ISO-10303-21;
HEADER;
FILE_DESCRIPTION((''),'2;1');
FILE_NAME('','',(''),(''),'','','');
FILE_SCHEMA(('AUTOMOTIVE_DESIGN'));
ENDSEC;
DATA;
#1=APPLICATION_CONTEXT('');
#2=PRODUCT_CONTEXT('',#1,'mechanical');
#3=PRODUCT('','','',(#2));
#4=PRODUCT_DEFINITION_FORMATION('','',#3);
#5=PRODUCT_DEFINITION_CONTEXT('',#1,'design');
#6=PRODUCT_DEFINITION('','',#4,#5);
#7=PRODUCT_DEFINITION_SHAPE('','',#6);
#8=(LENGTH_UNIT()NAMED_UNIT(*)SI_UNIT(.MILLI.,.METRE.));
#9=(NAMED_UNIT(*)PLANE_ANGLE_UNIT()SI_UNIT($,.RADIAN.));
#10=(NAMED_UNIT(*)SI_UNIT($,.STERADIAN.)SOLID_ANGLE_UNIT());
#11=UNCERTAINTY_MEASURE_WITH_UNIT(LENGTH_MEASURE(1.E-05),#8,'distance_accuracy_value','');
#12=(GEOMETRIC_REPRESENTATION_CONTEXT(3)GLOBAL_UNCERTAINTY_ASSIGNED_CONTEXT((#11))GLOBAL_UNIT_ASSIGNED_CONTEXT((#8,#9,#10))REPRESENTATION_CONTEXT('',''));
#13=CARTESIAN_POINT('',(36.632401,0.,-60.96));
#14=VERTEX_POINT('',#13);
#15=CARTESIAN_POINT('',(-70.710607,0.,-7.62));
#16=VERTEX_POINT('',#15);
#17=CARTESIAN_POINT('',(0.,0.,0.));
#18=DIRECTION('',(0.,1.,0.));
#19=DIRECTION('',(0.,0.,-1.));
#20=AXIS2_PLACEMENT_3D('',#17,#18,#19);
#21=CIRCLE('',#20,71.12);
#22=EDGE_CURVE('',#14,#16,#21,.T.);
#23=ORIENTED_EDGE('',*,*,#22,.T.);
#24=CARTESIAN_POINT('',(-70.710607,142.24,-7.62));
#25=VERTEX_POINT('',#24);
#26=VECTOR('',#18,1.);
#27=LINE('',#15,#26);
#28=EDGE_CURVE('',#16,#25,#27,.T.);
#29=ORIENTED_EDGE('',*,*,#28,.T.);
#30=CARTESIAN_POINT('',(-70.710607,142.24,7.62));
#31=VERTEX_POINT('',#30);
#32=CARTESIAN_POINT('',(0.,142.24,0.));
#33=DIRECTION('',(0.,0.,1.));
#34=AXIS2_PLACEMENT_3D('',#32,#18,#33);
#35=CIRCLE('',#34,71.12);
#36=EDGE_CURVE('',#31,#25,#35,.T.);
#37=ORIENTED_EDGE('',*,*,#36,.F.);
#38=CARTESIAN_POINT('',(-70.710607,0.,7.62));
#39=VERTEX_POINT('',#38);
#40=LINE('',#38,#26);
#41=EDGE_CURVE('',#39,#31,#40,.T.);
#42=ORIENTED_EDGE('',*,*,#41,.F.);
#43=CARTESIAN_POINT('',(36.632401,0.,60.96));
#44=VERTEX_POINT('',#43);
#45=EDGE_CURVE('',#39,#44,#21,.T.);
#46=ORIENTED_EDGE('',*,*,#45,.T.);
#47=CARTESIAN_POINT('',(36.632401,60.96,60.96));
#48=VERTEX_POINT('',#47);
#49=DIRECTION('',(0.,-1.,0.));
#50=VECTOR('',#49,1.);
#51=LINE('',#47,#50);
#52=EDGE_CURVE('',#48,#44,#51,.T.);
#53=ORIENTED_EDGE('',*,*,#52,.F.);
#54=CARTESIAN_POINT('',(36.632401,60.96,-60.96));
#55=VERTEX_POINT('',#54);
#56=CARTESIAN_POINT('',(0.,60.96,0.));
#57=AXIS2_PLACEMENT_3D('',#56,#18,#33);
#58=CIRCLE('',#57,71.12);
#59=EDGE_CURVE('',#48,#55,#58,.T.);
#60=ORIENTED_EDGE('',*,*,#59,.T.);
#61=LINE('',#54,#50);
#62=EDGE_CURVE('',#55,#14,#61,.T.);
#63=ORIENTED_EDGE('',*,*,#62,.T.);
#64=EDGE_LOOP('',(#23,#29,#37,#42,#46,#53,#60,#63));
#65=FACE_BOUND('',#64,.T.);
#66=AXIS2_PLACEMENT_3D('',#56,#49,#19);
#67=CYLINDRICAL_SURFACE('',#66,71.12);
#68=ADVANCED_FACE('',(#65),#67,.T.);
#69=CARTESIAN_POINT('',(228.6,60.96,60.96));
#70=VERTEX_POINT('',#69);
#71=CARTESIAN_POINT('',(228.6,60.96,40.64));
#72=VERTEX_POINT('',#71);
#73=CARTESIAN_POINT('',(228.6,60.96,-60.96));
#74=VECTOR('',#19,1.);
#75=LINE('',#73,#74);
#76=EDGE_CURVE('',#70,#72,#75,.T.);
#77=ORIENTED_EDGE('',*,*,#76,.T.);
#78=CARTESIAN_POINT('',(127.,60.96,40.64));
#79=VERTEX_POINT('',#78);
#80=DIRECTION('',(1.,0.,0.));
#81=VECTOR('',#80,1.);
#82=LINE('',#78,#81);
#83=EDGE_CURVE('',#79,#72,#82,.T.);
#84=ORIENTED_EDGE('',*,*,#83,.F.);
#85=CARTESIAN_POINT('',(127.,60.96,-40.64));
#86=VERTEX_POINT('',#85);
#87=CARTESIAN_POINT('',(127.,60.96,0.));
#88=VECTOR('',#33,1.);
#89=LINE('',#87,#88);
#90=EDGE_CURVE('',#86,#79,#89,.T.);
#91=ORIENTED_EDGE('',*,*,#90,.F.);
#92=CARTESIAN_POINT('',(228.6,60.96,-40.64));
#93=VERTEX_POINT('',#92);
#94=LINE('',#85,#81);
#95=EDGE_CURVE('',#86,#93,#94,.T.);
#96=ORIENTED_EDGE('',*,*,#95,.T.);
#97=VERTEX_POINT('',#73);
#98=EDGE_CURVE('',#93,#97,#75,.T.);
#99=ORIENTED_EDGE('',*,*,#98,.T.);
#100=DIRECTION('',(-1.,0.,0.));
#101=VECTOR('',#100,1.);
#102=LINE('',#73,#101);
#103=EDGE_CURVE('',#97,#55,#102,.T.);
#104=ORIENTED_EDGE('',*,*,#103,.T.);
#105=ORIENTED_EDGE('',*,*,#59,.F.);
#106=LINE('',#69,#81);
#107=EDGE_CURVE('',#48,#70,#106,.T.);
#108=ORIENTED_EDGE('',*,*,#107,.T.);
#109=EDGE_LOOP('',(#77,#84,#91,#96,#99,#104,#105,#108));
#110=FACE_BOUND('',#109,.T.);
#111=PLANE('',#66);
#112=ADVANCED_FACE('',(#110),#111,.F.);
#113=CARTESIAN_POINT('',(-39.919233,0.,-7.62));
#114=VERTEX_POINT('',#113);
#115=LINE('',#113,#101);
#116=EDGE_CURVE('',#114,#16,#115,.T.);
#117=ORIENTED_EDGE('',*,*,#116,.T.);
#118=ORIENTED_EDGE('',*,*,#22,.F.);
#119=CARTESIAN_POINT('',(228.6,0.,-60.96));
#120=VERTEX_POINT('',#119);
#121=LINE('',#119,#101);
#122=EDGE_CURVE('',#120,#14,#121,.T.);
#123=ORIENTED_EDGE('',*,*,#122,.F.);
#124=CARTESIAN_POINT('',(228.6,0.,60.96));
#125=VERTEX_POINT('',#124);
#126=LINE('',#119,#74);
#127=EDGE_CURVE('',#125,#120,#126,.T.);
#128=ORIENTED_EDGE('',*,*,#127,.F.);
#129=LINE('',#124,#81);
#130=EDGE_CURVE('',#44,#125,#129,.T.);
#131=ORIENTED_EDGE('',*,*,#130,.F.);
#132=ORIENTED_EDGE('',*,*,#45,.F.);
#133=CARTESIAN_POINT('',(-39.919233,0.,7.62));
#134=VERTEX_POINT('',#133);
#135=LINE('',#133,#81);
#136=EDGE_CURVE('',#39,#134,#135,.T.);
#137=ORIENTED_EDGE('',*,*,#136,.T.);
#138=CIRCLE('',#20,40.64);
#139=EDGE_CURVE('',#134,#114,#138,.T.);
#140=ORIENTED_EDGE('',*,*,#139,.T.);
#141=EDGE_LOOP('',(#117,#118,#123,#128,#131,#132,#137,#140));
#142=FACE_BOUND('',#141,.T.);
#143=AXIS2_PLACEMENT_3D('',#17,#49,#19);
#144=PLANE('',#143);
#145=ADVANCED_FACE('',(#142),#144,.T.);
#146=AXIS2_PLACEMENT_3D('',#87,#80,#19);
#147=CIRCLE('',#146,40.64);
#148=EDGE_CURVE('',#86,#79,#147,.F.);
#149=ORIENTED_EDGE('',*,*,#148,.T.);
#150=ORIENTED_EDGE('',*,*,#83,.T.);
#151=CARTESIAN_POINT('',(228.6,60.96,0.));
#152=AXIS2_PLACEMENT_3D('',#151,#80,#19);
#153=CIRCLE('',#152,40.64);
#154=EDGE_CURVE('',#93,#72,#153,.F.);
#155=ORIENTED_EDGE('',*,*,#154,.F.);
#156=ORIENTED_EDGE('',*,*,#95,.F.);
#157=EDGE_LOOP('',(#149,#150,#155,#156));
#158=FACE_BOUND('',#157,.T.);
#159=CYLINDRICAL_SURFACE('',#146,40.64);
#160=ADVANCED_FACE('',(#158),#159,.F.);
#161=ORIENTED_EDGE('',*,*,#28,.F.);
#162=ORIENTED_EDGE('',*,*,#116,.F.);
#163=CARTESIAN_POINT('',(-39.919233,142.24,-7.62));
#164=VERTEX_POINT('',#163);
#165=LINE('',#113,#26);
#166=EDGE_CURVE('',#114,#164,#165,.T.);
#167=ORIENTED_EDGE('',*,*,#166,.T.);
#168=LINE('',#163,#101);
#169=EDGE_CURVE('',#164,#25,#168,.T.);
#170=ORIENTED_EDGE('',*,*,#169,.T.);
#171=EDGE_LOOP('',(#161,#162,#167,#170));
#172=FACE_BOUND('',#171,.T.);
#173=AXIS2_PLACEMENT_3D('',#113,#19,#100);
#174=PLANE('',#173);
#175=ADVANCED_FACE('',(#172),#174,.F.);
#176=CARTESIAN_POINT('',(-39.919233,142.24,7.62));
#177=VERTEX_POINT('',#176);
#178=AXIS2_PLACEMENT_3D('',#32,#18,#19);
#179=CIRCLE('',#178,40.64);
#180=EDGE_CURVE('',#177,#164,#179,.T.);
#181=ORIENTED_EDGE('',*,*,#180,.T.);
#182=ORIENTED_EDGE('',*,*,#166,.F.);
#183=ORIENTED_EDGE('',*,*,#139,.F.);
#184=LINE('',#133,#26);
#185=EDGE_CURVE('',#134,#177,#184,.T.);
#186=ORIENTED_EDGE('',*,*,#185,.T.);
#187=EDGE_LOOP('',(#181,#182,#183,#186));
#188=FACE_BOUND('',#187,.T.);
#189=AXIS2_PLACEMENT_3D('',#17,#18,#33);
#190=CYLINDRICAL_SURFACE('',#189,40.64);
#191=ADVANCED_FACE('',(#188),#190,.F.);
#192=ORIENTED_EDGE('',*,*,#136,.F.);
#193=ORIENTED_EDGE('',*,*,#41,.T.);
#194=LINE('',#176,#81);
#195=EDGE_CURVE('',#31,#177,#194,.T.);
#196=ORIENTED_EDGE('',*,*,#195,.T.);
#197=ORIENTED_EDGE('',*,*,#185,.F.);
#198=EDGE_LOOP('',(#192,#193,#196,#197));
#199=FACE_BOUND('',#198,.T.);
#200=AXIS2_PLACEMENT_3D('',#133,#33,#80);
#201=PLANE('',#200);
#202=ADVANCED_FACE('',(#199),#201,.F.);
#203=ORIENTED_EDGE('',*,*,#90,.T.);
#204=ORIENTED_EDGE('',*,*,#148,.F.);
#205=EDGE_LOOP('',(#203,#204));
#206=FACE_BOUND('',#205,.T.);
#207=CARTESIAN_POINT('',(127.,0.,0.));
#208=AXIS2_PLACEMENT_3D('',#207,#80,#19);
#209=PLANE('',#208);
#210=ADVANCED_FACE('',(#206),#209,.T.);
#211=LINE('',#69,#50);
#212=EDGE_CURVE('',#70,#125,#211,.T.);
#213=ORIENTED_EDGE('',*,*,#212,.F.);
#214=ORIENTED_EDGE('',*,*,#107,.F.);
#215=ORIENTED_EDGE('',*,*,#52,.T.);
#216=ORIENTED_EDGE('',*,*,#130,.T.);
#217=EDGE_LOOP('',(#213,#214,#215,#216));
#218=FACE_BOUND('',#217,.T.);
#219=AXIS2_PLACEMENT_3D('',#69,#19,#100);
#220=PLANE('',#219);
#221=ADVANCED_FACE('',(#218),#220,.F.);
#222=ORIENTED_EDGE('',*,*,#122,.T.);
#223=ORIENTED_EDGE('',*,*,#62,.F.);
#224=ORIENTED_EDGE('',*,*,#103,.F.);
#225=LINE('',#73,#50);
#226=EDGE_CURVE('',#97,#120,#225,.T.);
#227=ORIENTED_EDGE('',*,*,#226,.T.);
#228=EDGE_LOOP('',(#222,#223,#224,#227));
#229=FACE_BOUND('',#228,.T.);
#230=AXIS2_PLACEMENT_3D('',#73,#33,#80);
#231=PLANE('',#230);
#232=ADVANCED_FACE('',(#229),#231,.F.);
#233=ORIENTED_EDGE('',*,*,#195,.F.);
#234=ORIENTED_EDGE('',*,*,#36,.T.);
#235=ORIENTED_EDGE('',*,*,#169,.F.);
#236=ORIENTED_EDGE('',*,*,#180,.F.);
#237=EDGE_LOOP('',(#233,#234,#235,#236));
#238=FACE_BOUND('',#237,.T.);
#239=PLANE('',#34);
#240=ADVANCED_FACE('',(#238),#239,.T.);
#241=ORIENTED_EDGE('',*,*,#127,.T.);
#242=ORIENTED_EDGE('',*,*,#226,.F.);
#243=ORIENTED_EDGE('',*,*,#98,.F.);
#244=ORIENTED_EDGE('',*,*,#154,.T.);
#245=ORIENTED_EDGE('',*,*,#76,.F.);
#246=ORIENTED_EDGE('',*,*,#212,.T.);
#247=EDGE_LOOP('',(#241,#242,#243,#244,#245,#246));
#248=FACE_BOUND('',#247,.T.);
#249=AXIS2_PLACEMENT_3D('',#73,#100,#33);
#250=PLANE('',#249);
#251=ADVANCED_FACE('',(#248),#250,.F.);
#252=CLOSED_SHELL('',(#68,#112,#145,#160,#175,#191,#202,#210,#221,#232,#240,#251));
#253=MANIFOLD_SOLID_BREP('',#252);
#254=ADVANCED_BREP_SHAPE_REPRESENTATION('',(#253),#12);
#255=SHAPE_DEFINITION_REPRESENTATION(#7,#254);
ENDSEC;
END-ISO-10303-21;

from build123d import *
from build123d.topology import SkipClean

# Parameters (mm, degrees)
BOSS_EXTRUDE2_DEPTH = 60.96
SKETCH2_R           = 71.12
BOSS_EXTRUDE3_DEPTH = 81.28
CUT_EXTRUDE1_DEPTH  = 101.6
CUT_EXTRUDE2_START  = -142.24
CUT_EXTRUDE2_DEPTH  = 142.24


with BuildPart() as part:
    # Sketch1 → Boss-Extrude2 (new body)
    with BuildSketch(Plane(origin=(0, 0, 0), x_dir=(1, 0, 0), z_dir=(0, 1, 0))):
        with BuildLine():
            Line((228.6, 60.96), (228.6, -60.96))
            Line((228.6, -60.96), (36.632400959, -60.96))
            ThreePointArc((36.632400959, -60.96), (-71.12, 0), (36.632400959, 60.96))
            Line((36.632400959, 60.96), (228.6, 60.96))
        make_face()
    extrude(amount=BOSS_EXTRUDE2_DEPTH)

    # Sketch2 → Boss-Extrude3 (add)
    with SkipClean():  # the faces are left unmerged after this step: merging them gives an invalid solid
        with BuildSketch(Plane(origin=(0, 60.96, 0), x_dir=(1, 0, 0), z_dir=(0, 1, 0))):
            with Locations(Location((0, 0, 0), (0, 0, 58.997280866))):
                Circle(SKETCH2_R)
        extrude(amount=BOSS_EXTRUDE3_DEPTH)

    # Sketch3 → Cut-Extrude1 (cut)
    with SkipClean():  # the faces are left unmerged after this step: merging them gives an invalid solid
        with BuildSketch(Plane(origin=(228.6, 0, 0), x_dir=(0, 0, -1), z_dir=(1, 0, 0))):
            with BuildLine():
                Line((40.64, 60.96), (-40.64, 60.96))
                ThreePointArc((-40.64, 60.96), (0, 20.32), (40.64, 60.96))
            make_face()
        extrude(amount=-CUT_EXTRUDE1_DEPTH, mode=Mode.SUBTRACT)

    # Sketch4 → Cut-Extrude2 (cut)
    with SkipClean():  # the faces are left unmerged after this step: merging them gives an invalid solid
        with BuildSketch(Plane(origin=(0, 142.24, 0), x_dir=(1, 0, 0), z_dir=(0, 1, 0)).offset(CUT_EXTRUDE2_START)):
            with BuildLine():
                Line((-39.91923346, 7.62), (-70.710607408, 7.62))
                ThreePointArc((-70.710607408, 7.62), (-71.12, 0), (-70.710607408, -7.62))
                Line((-70.710607408, -7.62), (-39.91923346, -7.62))
                ThreePointArc((-39.91923346, -7.62), (40.64, 0), (-39.91923346, 7.62))
            make_face()
        extrude(amount=CUT_EXTRUDE2_DEPTH, mode=Mode.SUBTRACT)


solid = part.part
